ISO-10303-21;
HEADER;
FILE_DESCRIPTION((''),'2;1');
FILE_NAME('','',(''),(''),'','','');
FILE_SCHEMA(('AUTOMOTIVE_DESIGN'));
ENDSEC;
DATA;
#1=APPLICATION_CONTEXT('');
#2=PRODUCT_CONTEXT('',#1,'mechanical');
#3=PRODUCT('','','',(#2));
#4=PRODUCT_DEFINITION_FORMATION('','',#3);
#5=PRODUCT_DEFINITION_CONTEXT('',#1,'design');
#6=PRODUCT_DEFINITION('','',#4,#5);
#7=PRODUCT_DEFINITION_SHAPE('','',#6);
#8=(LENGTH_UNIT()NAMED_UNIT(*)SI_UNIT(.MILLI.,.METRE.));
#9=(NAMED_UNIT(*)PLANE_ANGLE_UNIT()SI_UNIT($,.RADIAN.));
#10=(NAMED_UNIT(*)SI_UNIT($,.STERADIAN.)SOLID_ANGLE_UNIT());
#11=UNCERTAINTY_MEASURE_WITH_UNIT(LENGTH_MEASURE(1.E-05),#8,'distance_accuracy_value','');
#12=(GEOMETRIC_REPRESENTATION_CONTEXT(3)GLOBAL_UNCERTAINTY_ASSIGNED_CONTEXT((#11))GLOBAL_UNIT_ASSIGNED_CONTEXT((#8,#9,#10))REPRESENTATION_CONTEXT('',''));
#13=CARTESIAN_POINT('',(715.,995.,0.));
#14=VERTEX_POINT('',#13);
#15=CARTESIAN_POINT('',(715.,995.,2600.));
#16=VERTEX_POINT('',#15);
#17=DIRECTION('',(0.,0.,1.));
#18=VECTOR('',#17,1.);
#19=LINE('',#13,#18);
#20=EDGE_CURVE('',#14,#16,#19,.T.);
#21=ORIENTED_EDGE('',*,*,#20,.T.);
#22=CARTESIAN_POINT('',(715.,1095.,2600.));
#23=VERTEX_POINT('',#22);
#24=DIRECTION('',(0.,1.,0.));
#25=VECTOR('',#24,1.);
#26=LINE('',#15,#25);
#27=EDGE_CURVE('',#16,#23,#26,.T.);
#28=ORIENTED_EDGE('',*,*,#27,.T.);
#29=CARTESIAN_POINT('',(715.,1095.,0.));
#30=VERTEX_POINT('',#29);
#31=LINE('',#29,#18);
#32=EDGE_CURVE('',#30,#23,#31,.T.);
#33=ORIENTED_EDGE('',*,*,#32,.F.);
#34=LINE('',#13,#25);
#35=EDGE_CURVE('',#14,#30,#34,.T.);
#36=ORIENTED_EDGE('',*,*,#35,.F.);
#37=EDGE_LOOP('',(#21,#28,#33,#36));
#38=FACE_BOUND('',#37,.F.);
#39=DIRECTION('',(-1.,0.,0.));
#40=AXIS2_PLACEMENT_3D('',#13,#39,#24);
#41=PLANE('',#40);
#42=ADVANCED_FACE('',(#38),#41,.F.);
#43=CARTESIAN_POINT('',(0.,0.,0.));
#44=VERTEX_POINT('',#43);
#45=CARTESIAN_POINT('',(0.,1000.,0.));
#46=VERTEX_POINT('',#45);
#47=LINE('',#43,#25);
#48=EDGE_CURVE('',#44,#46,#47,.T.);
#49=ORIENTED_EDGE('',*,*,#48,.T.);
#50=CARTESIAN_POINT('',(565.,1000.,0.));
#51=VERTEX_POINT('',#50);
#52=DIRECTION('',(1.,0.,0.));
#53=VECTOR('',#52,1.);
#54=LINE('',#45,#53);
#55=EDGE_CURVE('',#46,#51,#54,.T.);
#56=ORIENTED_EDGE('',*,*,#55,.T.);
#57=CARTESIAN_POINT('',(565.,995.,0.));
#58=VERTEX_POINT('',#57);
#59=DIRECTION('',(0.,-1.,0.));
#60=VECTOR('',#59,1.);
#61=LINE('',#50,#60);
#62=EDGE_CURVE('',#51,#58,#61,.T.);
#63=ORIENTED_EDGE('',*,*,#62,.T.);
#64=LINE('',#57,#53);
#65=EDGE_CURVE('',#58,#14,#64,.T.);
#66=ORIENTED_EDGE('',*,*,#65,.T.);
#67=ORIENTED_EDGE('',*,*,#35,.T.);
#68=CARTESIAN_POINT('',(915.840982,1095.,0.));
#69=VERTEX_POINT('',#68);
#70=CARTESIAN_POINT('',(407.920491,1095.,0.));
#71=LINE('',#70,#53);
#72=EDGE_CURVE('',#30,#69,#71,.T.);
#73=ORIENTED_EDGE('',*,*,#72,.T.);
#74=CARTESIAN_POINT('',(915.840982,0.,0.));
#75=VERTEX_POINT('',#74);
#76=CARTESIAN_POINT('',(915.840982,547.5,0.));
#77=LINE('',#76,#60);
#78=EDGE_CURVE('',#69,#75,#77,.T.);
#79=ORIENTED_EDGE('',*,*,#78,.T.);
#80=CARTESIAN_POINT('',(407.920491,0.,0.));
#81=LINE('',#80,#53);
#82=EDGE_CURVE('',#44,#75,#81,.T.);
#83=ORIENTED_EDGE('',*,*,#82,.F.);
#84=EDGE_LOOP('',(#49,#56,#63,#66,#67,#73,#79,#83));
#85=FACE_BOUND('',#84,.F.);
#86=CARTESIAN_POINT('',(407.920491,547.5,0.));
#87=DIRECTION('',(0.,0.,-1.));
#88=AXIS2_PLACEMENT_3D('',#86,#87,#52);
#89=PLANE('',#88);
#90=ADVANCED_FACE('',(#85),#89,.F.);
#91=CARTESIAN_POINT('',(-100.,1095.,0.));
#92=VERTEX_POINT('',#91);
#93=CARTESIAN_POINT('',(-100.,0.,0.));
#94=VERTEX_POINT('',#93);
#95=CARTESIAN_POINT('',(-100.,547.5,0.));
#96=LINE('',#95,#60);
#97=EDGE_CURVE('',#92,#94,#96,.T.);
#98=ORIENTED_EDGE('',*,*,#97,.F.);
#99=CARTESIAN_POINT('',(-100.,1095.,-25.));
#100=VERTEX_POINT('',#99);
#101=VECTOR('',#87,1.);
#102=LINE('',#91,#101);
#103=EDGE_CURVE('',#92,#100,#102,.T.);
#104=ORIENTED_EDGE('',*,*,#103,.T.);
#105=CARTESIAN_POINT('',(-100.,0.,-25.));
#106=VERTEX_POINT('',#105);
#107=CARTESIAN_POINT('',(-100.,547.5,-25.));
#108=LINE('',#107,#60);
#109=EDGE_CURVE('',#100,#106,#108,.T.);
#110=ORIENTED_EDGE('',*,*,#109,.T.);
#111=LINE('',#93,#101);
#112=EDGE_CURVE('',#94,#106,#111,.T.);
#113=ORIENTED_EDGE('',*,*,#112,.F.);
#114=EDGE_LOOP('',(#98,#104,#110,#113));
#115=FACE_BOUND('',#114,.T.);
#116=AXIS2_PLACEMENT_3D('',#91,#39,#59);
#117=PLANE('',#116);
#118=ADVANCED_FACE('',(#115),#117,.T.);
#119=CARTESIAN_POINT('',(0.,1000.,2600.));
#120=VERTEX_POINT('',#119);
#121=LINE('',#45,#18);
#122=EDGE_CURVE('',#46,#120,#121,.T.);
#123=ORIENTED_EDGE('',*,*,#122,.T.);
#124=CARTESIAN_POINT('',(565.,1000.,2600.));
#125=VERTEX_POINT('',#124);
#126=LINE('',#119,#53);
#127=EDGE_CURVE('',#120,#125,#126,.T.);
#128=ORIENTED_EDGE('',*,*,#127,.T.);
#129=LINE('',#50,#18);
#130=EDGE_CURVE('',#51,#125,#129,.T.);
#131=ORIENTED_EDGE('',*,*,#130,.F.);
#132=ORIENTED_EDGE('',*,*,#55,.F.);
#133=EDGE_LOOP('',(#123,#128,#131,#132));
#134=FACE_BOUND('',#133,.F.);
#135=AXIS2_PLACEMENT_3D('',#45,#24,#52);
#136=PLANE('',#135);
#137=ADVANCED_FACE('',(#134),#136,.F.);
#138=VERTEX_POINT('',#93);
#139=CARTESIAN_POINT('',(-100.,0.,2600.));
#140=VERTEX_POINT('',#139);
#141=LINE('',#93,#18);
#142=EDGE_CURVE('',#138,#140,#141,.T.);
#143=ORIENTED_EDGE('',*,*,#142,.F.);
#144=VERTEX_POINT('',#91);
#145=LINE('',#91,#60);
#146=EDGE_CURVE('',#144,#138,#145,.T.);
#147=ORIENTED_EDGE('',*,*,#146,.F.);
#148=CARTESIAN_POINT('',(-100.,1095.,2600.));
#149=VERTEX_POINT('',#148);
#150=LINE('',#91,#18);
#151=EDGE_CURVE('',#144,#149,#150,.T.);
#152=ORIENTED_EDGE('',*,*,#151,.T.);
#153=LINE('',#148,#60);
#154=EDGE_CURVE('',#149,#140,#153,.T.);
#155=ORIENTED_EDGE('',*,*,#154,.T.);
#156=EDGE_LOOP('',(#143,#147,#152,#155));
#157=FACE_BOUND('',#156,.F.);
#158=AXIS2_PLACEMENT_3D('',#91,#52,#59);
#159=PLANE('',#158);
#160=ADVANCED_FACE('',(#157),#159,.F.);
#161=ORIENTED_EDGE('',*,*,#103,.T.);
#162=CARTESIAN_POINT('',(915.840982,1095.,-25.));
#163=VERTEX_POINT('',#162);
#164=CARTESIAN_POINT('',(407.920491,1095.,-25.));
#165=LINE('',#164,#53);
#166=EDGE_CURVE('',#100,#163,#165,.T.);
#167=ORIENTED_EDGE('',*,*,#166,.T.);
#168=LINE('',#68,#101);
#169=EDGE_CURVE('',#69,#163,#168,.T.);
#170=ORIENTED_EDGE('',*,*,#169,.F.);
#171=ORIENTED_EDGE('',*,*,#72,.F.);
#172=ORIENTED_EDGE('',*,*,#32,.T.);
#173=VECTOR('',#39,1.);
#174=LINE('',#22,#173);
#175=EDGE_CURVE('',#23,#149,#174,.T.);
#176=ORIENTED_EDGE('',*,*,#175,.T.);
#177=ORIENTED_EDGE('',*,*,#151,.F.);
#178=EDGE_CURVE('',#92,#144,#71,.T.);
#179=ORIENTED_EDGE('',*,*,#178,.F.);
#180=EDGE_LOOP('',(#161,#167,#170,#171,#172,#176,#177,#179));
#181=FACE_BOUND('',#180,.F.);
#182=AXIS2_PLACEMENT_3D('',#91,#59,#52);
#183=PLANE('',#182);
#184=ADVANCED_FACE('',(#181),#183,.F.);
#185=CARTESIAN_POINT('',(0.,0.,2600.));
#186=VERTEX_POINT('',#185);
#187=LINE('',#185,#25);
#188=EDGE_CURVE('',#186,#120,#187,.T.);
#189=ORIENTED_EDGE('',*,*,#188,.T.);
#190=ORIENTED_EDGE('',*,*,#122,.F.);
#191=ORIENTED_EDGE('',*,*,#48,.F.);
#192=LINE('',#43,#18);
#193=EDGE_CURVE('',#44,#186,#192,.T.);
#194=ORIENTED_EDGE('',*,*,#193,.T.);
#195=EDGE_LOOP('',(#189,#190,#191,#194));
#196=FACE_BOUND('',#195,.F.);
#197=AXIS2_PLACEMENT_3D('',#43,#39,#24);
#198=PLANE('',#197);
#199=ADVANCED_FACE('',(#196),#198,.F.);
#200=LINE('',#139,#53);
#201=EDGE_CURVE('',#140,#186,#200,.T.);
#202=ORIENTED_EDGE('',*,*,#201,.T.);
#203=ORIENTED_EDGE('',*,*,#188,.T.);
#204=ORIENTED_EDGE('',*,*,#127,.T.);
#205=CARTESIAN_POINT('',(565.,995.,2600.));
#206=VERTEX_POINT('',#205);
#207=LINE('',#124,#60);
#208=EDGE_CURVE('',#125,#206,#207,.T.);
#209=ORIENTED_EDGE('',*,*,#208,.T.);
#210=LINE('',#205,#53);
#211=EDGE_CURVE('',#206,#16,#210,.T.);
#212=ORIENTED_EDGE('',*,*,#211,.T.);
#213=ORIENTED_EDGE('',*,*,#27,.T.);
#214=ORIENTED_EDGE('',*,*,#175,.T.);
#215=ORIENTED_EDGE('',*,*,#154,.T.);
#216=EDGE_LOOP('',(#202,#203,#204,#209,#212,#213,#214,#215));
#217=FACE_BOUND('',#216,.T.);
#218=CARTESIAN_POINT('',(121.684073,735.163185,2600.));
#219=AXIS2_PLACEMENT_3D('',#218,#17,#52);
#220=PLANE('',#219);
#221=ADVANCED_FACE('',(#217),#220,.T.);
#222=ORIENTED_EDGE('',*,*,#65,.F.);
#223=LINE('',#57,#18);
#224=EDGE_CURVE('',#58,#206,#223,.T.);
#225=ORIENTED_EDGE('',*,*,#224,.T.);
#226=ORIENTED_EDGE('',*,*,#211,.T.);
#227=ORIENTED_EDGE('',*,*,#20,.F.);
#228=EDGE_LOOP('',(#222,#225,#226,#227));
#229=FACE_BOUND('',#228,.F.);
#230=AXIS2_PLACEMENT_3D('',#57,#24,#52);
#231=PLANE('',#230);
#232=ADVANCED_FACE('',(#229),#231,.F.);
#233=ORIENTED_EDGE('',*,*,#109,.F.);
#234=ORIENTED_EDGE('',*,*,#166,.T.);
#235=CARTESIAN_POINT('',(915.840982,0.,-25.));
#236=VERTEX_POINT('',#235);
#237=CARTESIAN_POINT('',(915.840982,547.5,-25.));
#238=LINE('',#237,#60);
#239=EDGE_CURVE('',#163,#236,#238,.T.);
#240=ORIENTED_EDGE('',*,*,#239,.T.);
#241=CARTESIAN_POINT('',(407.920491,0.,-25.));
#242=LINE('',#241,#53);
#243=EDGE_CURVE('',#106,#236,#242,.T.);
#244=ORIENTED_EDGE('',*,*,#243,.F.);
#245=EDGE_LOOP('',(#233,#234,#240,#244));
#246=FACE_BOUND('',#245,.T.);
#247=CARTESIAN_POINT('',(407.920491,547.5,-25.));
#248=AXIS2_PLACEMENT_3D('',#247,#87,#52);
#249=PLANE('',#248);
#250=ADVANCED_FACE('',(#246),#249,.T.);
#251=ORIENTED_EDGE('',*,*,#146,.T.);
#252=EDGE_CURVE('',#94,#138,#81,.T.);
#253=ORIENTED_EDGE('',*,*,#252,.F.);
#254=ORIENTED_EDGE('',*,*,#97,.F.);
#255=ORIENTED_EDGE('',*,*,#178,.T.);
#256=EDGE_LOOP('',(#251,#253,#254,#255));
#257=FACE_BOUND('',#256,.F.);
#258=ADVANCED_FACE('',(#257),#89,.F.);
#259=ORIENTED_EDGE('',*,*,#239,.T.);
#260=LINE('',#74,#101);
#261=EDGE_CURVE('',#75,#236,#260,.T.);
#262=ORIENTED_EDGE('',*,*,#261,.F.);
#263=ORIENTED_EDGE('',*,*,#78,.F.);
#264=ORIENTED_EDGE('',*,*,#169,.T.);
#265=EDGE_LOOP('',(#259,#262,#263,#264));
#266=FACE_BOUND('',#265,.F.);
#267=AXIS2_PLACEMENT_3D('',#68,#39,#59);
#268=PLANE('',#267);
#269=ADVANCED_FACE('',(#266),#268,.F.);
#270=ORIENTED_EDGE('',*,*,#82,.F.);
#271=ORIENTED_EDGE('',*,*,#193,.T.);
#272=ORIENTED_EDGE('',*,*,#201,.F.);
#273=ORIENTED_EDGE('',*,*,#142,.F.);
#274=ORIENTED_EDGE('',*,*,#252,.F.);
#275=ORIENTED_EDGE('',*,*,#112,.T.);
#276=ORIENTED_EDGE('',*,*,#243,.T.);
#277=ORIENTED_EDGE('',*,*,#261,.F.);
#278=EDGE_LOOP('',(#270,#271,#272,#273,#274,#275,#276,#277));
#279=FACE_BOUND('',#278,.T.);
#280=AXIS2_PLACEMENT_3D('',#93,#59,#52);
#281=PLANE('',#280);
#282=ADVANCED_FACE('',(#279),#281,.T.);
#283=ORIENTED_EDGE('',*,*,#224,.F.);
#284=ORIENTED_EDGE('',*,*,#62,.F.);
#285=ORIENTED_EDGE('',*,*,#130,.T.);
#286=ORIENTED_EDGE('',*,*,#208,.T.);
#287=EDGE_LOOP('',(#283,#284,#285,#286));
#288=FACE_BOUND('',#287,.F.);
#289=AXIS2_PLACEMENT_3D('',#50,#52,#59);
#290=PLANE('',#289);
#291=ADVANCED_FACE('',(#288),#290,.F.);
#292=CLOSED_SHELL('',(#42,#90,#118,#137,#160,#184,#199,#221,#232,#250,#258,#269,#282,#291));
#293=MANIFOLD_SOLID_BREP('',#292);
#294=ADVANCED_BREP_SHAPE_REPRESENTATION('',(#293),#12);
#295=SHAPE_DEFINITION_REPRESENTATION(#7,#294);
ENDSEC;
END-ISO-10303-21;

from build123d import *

# Parameters (mm, degrees)
F1_DEPTH = 2600
F2_W     = 1015.840983
F2_H     = 1095
F3_DEPTH = 25


with BuildPart() as f1:
    # F0 (on Top) → F1 (new body)
    with BuildSketch(Plane.XY):
        Polygon((-100, 0), (0, 0), (0, 1000), (565, 1000), (565, 995), (715, 995), (715, 1095), (-100, 1095), align=None)
    extrude(amount=F1_DEPTH)

    # F2 (on face) → F3 (join)
    with BuildSketch(Plane(origin=(0, 0, 0), x_dir=(1, 0, 0), z_dir=(0, 0, -1))):
        with Locations((407.920491, -547.5)):
            Rectangle(F2_W, F2_H)
    extrude(amount=F3_DEPTH)


solid = f1.part
